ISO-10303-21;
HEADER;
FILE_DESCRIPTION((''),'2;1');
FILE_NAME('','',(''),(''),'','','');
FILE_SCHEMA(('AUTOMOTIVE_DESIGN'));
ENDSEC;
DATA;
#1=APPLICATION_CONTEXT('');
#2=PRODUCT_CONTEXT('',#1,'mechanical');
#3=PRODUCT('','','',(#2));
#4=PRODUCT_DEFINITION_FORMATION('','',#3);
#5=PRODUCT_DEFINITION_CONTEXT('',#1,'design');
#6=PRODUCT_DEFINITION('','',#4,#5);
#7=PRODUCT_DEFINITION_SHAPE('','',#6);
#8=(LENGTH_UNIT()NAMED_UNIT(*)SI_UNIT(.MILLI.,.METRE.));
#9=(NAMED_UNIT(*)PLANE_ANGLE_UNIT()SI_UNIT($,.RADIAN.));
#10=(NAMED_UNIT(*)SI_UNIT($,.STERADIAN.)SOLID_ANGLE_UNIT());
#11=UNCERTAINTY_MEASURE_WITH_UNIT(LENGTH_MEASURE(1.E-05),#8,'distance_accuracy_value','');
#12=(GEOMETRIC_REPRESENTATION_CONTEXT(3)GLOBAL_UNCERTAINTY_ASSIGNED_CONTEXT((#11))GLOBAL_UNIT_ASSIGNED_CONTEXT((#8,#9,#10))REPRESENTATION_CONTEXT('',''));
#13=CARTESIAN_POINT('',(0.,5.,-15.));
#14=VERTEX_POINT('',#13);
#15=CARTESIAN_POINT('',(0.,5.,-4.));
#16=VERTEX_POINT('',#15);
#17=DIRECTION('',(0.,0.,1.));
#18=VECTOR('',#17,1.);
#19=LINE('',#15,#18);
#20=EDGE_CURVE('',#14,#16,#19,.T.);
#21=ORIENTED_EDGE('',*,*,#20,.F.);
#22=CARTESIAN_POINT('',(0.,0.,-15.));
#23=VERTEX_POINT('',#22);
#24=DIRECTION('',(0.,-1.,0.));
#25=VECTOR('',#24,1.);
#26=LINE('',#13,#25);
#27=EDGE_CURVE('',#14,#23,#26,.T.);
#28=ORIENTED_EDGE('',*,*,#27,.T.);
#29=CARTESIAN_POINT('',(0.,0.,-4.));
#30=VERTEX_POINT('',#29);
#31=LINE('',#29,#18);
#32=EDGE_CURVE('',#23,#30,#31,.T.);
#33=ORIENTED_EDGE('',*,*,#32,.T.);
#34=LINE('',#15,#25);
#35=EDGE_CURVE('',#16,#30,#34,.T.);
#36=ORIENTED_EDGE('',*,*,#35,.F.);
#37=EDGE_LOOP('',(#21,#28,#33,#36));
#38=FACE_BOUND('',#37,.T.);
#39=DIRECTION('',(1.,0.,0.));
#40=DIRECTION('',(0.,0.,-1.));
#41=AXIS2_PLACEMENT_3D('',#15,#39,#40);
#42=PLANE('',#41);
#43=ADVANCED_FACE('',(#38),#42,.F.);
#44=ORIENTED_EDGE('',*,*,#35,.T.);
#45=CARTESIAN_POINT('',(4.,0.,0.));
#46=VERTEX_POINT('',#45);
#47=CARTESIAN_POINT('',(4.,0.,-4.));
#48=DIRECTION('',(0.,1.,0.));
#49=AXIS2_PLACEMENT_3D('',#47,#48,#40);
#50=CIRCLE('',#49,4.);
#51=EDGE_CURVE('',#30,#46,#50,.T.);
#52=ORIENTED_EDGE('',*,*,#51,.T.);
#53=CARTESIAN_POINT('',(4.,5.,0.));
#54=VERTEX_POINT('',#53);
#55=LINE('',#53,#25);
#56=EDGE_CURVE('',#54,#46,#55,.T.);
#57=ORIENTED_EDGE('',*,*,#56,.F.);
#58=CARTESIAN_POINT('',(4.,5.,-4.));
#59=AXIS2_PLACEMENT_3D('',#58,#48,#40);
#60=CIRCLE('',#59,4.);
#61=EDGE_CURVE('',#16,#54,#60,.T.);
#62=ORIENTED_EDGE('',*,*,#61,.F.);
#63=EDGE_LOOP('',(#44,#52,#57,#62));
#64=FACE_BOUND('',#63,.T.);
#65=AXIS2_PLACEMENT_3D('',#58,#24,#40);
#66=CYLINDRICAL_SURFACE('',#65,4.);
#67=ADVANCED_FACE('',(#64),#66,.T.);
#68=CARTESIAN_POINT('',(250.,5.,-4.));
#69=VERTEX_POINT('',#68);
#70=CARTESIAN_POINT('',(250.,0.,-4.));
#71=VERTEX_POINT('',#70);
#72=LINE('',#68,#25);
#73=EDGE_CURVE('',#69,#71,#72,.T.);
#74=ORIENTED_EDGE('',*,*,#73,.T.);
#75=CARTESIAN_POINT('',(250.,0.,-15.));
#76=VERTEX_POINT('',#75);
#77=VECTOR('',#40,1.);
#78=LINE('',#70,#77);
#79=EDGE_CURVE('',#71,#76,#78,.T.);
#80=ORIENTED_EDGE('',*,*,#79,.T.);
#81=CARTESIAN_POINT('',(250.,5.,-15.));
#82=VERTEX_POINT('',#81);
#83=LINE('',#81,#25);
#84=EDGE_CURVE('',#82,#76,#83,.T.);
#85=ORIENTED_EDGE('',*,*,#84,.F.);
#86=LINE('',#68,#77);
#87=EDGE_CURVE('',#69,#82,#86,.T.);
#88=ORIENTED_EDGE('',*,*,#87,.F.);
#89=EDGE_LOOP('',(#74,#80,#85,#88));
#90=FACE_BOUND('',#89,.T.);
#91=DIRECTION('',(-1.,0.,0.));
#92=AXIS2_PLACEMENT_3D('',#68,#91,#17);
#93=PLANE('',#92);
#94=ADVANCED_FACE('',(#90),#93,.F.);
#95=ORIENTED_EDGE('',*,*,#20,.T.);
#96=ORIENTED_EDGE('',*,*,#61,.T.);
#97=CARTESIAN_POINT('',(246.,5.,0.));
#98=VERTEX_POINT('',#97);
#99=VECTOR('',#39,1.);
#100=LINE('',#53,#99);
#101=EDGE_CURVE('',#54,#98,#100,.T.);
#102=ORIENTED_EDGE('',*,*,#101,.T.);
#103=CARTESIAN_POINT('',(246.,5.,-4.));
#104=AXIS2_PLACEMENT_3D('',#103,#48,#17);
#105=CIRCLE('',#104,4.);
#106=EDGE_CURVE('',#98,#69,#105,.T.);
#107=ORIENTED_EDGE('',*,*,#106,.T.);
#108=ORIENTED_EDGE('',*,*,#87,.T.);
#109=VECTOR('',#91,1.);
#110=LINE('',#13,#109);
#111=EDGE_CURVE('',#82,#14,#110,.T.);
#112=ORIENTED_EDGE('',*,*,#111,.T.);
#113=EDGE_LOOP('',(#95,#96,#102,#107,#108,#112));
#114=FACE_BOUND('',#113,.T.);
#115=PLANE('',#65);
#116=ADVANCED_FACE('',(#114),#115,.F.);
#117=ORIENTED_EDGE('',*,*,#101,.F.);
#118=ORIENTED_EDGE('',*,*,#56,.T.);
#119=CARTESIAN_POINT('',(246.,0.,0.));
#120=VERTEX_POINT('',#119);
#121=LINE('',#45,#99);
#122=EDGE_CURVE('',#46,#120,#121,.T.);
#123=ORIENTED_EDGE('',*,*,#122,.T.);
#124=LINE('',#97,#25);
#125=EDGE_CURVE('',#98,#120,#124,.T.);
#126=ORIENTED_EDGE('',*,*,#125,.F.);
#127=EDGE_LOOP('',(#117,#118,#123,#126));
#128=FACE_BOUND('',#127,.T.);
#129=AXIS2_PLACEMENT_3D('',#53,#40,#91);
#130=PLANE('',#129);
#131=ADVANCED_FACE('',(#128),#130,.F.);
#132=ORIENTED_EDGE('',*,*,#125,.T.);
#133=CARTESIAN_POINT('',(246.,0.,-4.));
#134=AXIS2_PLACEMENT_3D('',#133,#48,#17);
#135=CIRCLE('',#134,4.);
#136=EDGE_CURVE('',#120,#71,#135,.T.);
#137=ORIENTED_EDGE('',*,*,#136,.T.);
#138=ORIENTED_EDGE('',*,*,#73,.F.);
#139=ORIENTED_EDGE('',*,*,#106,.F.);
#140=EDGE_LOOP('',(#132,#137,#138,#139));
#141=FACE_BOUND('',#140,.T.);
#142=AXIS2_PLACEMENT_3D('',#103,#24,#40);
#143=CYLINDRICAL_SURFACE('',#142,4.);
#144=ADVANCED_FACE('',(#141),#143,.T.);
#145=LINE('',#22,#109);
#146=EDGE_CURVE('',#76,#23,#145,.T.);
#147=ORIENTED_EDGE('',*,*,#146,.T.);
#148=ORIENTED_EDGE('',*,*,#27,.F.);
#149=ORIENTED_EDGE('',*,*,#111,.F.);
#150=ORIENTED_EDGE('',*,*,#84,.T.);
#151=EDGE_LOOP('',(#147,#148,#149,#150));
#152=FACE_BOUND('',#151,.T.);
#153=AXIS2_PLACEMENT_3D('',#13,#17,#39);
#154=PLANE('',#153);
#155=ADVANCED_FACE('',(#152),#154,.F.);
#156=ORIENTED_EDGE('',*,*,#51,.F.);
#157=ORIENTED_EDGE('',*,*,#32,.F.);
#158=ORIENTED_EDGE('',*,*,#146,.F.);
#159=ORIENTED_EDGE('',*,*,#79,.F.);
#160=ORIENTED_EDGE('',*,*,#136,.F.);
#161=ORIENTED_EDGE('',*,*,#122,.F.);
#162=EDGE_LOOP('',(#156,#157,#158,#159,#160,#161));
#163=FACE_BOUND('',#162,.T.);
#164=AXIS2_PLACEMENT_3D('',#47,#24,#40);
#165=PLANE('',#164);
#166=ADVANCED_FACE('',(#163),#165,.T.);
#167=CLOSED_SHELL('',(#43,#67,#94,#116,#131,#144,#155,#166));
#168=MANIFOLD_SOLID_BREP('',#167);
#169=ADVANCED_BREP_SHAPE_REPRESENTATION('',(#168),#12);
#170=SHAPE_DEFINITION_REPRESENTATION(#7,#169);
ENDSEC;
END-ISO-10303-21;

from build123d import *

# Parameters (mm, degrees)
SALIENTE_EXTRUIR1_DEPTH = 5


with BuildPart() as part:
    # Croquis1 → Saliente-Extruir1 (new body)
    with BuildSketch(Plane(origin=(0, 0, 0), x_dir=(1, 0, 0), z_dir=(0, 1, 0))):
        with BuildLine():
            Line((4, 0), (246, 0))
            ThreePointArc((246, 0), (248.828427125, 1.171572875), (250, 4))
            Line((250, 4), (250, 15))
            Line((250, 15), (0, 15))
            Line((0, 15), (0, 4))
            ThreePointArc((0, 4), (1.171572875, 1.171572875), (4, 0))
        make_face()
    extrude(amount=SALIENTE_EXTRUIR1_DEPTH)


solid = part.part
